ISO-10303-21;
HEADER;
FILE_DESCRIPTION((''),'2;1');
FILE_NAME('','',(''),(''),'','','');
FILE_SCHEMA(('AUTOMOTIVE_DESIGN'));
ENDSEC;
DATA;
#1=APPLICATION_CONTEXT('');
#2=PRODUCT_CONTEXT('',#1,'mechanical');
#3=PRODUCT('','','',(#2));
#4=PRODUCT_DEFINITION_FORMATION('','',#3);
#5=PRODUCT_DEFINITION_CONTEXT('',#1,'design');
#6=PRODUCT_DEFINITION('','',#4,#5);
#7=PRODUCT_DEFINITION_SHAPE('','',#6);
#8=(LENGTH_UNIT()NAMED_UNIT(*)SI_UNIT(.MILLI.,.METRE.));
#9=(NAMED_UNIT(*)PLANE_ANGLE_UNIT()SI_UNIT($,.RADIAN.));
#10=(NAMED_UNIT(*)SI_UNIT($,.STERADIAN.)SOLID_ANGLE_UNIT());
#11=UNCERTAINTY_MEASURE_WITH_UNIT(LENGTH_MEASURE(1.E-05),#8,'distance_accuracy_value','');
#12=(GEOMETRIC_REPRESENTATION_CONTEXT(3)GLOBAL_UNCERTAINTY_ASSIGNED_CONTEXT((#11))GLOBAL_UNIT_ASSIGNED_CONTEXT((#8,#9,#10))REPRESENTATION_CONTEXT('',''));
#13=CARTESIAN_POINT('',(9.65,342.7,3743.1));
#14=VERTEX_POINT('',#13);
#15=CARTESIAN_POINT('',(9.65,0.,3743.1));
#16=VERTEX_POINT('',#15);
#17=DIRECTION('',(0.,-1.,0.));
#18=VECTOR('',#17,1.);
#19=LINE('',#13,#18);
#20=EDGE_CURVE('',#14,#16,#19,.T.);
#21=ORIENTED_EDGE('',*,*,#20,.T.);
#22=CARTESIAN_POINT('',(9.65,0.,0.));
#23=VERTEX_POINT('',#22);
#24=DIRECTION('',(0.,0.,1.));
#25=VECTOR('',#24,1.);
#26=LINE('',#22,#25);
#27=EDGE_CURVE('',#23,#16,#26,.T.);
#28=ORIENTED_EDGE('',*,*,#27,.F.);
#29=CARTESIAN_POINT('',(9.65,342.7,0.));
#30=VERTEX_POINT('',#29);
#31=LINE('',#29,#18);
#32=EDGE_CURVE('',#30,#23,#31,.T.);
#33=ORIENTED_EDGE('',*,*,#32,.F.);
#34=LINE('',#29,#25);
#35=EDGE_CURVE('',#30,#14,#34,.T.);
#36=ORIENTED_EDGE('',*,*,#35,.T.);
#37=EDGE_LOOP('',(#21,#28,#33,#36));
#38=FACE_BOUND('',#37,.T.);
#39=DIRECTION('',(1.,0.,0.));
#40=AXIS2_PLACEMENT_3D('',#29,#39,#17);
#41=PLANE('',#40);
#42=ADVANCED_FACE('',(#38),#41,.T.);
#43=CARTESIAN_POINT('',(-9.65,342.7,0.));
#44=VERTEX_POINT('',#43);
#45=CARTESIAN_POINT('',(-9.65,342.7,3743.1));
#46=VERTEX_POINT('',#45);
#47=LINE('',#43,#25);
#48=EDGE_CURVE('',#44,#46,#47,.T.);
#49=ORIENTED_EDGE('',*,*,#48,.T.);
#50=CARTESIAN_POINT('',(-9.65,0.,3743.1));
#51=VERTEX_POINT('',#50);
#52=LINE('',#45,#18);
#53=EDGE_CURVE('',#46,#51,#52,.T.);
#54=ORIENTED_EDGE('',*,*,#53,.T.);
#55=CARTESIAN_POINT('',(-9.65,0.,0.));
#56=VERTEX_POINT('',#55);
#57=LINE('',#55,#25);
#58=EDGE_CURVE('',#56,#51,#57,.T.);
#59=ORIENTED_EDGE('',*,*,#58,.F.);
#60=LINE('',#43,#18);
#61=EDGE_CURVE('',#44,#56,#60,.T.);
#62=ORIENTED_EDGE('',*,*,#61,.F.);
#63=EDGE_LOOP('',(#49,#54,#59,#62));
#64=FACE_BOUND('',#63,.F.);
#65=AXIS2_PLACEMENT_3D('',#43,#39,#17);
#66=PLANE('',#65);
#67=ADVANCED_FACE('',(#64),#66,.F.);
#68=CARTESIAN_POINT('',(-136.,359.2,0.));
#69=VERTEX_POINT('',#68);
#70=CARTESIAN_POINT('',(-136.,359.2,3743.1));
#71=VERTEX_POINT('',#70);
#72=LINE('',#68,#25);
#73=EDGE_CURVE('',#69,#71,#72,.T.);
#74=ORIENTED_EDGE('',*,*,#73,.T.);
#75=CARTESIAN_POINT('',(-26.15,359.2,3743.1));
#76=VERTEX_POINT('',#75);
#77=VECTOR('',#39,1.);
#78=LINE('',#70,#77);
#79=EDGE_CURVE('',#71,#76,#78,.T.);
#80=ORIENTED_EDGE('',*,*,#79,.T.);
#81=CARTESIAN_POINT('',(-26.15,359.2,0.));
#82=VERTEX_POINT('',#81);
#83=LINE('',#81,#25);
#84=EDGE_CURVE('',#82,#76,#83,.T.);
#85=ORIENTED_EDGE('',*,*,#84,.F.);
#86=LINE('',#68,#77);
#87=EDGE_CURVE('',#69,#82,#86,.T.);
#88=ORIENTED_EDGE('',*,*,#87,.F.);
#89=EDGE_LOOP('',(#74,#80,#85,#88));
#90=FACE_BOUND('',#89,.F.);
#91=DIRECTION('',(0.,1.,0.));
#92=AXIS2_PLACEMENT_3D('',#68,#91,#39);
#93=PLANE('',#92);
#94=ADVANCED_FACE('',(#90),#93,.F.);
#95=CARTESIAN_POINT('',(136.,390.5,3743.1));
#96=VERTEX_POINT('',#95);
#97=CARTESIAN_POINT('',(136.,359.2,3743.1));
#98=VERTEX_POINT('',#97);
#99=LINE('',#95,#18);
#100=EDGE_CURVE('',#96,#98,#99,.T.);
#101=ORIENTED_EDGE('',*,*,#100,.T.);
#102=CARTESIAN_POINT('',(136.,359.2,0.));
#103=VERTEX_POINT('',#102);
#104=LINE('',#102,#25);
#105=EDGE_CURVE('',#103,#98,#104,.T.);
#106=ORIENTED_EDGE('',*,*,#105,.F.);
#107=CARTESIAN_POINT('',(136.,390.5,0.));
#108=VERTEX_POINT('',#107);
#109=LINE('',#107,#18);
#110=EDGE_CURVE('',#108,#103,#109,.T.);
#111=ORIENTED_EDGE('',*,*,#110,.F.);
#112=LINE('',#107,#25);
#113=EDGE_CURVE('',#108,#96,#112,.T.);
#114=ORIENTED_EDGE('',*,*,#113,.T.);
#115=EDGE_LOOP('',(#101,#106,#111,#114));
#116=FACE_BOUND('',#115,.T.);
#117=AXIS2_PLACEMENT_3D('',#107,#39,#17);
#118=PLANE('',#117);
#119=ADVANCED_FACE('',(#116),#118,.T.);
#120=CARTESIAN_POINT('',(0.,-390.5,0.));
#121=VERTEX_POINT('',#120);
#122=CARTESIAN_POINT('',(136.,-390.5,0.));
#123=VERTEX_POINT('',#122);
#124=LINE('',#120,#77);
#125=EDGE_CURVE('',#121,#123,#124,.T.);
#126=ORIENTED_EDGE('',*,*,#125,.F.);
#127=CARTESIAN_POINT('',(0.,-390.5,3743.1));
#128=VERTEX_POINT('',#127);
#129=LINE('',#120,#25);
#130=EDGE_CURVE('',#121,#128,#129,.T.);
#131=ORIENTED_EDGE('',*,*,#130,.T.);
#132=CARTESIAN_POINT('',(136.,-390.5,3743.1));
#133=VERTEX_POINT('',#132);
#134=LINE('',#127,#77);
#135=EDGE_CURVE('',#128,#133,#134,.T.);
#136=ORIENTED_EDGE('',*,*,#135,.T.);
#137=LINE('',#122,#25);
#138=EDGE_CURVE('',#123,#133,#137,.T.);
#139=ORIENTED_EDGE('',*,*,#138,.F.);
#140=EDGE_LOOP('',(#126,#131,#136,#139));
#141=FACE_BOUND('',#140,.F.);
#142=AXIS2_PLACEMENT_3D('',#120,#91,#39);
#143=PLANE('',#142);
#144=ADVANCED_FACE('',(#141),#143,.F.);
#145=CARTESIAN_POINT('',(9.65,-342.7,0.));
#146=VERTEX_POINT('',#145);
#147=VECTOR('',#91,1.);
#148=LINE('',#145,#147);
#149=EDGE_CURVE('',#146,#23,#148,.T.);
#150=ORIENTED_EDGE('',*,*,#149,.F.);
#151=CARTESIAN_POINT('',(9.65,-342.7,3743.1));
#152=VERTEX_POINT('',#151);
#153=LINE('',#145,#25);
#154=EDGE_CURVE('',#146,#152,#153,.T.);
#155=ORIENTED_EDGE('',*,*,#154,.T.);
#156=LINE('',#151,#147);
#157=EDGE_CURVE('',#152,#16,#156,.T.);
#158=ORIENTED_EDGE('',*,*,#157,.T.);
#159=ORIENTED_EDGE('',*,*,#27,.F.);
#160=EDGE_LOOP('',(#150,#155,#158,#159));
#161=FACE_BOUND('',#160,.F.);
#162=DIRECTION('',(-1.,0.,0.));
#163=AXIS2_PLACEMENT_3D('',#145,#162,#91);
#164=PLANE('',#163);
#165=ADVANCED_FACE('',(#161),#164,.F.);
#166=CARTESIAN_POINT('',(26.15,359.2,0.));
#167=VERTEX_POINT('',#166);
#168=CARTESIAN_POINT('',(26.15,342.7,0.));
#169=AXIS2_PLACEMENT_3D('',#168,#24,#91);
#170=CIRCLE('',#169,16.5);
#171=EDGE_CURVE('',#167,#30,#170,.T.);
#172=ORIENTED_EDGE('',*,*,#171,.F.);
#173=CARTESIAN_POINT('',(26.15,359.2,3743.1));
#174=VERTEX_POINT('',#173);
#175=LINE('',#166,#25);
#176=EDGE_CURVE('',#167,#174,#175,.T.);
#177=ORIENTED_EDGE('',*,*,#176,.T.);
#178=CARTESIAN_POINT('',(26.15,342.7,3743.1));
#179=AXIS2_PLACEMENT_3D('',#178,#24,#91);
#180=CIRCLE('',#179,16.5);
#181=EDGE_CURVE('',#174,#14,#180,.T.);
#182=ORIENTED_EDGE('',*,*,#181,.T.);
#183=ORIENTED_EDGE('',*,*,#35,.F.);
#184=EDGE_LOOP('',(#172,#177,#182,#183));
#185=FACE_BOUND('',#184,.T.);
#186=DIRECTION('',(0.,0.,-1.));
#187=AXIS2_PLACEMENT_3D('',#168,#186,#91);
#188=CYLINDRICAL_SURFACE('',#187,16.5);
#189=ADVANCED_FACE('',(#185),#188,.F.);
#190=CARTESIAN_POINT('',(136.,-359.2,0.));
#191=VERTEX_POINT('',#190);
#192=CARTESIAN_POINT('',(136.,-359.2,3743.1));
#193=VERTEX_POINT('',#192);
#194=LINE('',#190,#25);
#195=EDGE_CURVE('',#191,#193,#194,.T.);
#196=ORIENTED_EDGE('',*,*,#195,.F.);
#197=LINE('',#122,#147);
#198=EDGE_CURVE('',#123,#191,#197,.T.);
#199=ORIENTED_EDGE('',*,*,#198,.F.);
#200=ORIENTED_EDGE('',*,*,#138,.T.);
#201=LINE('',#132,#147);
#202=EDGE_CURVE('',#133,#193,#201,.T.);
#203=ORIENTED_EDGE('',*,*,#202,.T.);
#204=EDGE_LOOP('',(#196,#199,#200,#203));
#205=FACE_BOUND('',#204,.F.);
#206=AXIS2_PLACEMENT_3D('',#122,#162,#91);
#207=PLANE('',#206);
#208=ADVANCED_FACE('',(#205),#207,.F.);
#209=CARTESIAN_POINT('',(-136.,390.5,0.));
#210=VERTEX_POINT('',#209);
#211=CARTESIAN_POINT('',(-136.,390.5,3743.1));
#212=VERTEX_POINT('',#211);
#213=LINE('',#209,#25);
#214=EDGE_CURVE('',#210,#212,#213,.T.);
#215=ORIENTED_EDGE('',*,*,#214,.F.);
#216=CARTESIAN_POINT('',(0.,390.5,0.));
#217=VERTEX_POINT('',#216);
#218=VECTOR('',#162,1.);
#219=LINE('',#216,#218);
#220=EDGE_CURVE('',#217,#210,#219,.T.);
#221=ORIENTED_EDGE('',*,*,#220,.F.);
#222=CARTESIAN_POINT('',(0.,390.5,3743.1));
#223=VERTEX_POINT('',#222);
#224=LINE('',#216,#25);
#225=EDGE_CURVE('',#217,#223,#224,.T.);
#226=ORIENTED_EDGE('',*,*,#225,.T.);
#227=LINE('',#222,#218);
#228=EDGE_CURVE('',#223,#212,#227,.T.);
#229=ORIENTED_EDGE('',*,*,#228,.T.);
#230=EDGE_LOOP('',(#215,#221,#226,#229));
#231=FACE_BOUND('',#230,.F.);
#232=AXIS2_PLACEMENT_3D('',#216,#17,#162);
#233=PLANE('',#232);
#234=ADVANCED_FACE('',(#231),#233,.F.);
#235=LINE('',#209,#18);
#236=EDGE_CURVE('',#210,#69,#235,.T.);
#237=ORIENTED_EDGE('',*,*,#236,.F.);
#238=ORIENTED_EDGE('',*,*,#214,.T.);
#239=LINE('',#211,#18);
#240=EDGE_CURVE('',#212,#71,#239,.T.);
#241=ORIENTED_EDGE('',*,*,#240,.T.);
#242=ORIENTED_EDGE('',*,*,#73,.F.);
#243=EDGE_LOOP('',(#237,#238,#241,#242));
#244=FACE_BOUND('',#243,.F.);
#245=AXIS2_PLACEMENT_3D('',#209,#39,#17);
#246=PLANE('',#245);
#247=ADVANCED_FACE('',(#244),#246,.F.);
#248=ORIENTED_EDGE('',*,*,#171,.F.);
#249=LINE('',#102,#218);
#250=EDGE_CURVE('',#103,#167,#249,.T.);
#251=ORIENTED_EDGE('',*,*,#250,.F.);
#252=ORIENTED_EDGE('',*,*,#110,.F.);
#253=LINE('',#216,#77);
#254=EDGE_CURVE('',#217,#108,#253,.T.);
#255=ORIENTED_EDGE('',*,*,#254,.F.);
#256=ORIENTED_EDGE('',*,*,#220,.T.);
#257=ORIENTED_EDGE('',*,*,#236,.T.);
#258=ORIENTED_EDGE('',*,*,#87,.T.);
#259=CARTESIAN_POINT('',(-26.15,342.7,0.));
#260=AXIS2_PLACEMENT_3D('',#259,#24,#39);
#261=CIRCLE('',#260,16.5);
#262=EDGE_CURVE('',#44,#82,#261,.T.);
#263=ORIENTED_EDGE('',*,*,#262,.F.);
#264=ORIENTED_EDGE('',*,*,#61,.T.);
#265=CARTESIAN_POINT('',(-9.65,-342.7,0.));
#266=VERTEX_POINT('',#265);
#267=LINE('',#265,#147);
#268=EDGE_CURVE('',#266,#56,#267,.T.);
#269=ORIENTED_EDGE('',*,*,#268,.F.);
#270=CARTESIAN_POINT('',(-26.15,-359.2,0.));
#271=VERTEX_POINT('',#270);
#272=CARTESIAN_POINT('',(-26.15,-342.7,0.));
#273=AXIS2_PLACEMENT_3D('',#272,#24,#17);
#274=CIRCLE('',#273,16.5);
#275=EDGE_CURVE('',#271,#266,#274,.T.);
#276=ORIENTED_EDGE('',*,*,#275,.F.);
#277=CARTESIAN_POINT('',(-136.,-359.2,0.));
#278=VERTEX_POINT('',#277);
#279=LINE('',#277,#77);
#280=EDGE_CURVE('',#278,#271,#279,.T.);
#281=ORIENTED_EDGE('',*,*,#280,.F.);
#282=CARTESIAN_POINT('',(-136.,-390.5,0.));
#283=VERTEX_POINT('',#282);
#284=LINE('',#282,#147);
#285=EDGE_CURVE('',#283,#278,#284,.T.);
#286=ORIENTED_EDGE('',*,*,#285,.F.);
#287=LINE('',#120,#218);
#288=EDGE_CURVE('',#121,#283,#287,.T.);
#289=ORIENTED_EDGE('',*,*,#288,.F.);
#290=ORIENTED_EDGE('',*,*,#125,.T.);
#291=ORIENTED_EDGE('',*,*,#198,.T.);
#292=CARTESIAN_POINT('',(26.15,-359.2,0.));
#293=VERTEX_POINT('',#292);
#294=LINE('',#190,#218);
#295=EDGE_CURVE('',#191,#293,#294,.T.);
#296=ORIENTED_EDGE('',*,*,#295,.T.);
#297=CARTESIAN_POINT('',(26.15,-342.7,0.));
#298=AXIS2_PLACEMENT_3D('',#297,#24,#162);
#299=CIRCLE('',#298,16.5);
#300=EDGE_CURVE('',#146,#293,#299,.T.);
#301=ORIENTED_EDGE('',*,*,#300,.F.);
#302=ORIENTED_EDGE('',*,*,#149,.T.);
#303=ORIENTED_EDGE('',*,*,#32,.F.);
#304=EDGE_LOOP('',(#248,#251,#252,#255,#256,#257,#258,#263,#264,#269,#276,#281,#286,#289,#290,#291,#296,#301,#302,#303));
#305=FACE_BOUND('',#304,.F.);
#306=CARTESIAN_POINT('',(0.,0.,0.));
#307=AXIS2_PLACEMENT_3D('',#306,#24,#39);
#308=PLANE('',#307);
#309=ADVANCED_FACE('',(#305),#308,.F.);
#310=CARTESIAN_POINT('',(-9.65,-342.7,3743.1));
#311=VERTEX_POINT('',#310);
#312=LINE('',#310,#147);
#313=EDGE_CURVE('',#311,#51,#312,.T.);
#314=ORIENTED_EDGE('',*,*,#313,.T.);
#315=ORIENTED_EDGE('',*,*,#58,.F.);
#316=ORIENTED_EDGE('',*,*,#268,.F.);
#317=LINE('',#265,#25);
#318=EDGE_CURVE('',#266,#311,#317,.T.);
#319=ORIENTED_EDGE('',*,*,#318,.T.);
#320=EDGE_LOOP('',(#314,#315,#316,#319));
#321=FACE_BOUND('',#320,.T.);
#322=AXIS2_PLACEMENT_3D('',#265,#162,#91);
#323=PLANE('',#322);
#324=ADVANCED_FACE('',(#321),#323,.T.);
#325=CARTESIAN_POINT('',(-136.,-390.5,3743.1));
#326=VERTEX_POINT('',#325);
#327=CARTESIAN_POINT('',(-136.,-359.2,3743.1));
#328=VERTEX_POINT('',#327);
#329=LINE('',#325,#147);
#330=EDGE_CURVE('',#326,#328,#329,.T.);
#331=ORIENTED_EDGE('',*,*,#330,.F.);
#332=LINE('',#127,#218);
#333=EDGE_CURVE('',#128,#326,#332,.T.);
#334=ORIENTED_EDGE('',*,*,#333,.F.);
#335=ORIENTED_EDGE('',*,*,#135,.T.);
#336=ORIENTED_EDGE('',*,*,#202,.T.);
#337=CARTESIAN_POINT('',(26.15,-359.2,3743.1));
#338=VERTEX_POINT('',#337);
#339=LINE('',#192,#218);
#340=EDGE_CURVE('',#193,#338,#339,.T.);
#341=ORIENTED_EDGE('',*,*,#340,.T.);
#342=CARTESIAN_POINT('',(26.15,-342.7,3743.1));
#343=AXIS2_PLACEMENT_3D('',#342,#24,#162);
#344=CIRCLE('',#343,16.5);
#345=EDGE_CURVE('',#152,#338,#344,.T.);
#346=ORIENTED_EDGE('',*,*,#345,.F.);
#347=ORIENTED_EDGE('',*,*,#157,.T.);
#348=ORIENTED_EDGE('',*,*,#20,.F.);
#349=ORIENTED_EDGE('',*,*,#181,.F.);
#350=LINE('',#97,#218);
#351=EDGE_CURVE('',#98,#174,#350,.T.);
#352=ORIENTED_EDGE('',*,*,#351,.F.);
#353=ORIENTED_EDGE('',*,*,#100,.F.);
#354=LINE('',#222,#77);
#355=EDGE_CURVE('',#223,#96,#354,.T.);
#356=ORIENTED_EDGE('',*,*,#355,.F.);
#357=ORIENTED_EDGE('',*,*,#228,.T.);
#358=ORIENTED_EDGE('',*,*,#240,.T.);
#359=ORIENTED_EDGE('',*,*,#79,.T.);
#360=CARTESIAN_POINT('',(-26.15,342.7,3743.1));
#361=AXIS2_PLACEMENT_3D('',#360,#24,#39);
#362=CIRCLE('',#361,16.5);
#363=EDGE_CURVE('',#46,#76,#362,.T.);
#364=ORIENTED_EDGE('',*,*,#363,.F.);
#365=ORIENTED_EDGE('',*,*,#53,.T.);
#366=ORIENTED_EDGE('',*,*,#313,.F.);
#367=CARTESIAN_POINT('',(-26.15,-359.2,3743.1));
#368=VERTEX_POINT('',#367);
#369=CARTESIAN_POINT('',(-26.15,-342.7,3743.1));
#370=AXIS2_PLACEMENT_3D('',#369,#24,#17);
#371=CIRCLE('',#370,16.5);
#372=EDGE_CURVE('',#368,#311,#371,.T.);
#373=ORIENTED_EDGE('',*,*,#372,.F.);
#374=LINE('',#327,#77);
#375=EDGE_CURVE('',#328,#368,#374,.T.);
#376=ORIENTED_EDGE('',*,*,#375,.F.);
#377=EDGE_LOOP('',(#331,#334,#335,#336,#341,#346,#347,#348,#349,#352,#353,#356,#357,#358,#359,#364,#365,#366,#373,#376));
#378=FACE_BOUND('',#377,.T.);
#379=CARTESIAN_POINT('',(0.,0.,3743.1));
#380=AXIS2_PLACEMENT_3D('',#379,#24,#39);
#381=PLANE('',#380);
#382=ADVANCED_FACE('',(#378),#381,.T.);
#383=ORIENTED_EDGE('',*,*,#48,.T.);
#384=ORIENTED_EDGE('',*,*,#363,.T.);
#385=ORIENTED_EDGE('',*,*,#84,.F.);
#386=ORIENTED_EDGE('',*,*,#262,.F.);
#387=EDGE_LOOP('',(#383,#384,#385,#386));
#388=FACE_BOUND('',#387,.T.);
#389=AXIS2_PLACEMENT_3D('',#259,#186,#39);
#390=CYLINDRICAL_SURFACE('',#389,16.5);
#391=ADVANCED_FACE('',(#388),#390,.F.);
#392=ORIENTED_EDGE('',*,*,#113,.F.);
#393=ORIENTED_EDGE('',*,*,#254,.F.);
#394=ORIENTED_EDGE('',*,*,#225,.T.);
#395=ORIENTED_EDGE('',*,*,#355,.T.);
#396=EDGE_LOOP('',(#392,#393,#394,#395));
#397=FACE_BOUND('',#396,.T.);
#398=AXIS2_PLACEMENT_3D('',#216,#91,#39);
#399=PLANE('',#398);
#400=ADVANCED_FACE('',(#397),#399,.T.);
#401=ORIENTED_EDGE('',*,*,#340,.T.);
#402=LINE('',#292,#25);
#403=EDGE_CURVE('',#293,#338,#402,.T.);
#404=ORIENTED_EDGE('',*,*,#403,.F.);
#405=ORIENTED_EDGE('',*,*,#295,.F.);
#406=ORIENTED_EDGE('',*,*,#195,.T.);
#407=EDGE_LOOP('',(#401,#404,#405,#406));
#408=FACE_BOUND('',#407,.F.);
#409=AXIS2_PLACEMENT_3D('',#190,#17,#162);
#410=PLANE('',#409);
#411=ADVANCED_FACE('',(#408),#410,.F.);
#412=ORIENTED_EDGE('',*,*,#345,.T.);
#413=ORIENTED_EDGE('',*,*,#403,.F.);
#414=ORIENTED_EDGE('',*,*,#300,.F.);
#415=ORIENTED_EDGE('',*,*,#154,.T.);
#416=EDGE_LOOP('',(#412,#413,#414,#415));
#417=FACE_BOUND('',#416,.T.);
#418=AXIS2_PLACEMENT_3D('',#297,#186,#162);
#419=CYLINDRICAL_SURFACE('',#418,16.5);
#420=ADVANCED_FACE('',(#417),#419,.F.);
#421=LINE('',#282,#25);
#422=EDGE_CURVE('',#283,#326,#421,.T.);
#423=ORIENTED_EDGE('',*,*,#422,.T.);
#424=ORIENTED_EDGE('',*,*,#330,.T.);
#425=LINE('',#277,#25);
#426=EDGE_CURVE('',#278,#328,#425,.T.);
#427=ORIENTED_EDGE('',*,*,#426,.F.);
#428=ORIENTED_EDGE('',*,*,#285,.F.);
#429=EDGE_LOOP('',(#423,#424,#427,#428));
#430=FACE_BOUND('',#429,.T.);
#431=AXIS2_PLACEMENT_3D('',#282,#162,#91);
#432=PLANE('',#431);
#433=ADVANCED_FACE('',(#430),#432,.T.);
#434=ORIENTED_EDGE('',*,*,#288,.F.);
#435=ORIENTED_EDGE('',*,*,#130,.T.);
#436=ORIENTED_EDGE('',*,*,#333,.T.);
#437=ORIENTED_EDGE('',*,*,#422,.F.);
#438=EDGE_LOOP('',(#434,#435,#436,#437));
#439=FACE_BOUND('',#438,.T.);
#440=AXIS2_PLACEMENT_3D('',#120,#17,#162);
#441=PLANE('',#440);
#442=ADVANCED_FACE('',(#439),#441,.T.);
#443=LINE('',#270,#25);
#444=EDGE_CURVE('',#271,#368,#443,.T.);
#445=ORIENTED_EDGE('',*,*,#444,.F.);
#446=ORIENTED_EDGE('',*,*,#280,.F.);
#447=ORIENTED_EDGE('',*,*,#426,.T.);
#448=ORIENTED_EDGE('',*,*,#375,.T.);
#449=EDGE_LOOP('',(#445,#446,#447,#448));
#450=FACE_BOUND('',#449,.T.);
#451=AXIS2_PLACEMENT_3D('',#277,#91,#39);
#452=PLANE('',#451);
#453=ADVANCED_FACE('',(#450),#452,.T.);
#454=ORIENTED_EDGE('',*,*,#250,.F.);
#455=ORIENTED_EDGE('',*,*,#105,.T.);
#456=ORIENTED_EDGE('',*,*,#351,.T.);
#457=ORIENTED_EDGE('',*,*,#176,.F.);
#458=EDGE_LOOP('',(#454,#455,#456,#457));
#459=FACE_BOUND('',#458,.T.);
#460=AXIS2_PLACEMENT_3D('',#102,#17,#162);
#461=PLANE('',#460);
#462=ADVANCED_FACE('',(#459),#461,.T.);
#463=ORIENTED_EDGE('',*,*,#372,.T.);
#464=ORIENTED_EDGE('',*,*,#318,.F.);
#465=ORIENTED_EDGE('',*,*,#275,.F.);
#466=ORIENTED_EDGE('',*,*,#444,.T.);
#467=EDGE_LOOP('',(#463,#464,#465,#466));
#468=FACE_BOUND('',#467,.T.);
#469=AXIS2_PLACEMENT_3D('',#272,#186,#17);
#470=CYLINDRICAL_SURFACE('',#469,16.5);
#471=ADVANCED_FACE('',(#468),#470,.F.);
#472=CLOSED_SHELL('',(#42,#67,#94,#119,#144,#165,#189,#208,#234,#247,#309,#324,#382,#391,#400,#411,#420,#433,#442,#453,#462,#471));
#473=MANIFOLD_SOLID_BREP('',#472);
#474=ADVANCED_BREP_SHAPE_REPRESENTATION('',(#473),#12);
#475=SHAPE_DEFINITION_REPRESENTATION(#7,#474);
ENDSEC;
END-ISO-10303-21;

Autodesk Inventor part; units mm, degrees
ref_plane "YZ Plane" through (0, 0, 0) normal (1, 0, 0) x (0, 1, 0)
ref_plane "Start plane" through (0, 0, 0) normal (0, 0, 1) x (1, 0, 0)
ref_plane "End plane" through (0, 0, 3743.1) normal (0, 0, 1) x (1, 0, 0)
sketch "Sketch" plane through (0, 0, 0) normal (0, 0, 1) x (1, 0, 0)
  line L0 (-136, -390.5) -> (-136, -359.2)
  line L1 (-136, -359.2) -> (-26.15, -359.2)
  line L2 (-9.65, -342.7) -> (-9.65, 0)
  line L3 (-9.65, 0) -> (0, 0) construction
  line L4 (0, 0) -> (0, -390.5) construction
  line L5 (0, -390.5) -> (-136, -390.5)
  line L6 (-60, 0) -> (80, 0) construction
  line L7 (0, -60) -> (0, 80) construction
  line L8 (136, -390.5) -> (136, -359.2)
  line L9 (136, -359.2) -> (26.15, -359.2)
  line L10 (9.65, -342.7) -> (9.65, 0)
  line L11 (9.65, 0) -> (0, 0) construction
  line L12 (0, -390.5) -> (136, -390.5)
  line L13 (-136, 390.5) -> (-136, 359.2)
  line L14 (-136, 359.2) -> (-26.15, 359.2)
  line L15 (-9.65, 342.7) -> (-9.65, 0)
  line L16 (0, 390.5) -> (-136, 390.5)
  line L17 (136, 390.5) -> (136, 359.2)
  line L18 (136, 359.2) -> (26.15, 359.2)
  line L19 (0, 390.5) -> (136, 390.5)
  line L20 (9.65, 342.7) -> (9.65, 0)
  arc A0 (-9.65, 342.7) -> (-26.15, 359.2) centre (-26.15, 342.7) ccw
  arc A1 (26.15, 359.2) -> (9.65, 342.7) centre (26.15, 342.7) ccw
  arc A2 (9.65, -342.7) -> (26.15, -359.2) centre (26.15, -342.7) ccw
  arc A3 (-26.15, -359.2) -> (-9.65, -342.7) centre (-26.15, -342.7) ccw
  line L21 (0, 108) -> (0, -88) construction
  line L22 (-88, 0) -> (108, 0) construction
  point P0 (-9.65, -359.2)
  point P1 (9.65, -359.2)
  point P2 (-9.65, 359.2)
  point P3 (9.65, 359.2)
  dimension "d1" = 390.5
  dimension "d2" = 31.3
  dimension "d3" = 136
  dimension "d4" = 9.65
  dimension "d10" = 16.5
extrude "Body" add sketch "Sketch" along normal up to surface (3743.1 mm away) from surface at 0
sketch "Sketch4" plane through (0, 0, 0) normal (0, 0, 1) x (1, 0, 0)
  line L0 (0, 0) -> (10, 0)
ref_plane "Work Plane3" through (0, 0, 0) normal (0, -1, 0) x (1, 0, 0)
sketch "Sketch5" plane through (0, 0, 0) normal (0, -1, 0) x (1, 0, 0)
  line L0 (-2, 0) -> (12, 0) projected
  line L1 (-2, 3743.1) -> (12, 3743.1) projected
  dimension "d14" = 3743.1
equation "\"d1\" = 0.5 * G_H"
equation "\"d2\" = G_T1"
equation "\"d3\" = 0.5 * G_W"
equation "\"d4\" = 0.5 * G_T"
equation "\"d10\" = G_IR"
equation "\"d5\" = G_L"
equation "\"G_W\" = 272"
equation "\"G_H\" = 781"
equation "\"G_T\" = 19.3"
equation "\"G_T1\" = 31.3"
equation "\"G_IR\" = 16.5"
equation "\"G_L\" = d14"
equation "\"G_OFFSET_START\" = 0"
equation "\"G_OFFSET_END\" = 0"
equation "\"d12\" = G_OFFSET_END + B_L"
equation "\"B_L\" = 3743.1"
properties part number "AS 3679-1990 - 760 UB - 244 - 3743.1" material "Steel, Mild"
